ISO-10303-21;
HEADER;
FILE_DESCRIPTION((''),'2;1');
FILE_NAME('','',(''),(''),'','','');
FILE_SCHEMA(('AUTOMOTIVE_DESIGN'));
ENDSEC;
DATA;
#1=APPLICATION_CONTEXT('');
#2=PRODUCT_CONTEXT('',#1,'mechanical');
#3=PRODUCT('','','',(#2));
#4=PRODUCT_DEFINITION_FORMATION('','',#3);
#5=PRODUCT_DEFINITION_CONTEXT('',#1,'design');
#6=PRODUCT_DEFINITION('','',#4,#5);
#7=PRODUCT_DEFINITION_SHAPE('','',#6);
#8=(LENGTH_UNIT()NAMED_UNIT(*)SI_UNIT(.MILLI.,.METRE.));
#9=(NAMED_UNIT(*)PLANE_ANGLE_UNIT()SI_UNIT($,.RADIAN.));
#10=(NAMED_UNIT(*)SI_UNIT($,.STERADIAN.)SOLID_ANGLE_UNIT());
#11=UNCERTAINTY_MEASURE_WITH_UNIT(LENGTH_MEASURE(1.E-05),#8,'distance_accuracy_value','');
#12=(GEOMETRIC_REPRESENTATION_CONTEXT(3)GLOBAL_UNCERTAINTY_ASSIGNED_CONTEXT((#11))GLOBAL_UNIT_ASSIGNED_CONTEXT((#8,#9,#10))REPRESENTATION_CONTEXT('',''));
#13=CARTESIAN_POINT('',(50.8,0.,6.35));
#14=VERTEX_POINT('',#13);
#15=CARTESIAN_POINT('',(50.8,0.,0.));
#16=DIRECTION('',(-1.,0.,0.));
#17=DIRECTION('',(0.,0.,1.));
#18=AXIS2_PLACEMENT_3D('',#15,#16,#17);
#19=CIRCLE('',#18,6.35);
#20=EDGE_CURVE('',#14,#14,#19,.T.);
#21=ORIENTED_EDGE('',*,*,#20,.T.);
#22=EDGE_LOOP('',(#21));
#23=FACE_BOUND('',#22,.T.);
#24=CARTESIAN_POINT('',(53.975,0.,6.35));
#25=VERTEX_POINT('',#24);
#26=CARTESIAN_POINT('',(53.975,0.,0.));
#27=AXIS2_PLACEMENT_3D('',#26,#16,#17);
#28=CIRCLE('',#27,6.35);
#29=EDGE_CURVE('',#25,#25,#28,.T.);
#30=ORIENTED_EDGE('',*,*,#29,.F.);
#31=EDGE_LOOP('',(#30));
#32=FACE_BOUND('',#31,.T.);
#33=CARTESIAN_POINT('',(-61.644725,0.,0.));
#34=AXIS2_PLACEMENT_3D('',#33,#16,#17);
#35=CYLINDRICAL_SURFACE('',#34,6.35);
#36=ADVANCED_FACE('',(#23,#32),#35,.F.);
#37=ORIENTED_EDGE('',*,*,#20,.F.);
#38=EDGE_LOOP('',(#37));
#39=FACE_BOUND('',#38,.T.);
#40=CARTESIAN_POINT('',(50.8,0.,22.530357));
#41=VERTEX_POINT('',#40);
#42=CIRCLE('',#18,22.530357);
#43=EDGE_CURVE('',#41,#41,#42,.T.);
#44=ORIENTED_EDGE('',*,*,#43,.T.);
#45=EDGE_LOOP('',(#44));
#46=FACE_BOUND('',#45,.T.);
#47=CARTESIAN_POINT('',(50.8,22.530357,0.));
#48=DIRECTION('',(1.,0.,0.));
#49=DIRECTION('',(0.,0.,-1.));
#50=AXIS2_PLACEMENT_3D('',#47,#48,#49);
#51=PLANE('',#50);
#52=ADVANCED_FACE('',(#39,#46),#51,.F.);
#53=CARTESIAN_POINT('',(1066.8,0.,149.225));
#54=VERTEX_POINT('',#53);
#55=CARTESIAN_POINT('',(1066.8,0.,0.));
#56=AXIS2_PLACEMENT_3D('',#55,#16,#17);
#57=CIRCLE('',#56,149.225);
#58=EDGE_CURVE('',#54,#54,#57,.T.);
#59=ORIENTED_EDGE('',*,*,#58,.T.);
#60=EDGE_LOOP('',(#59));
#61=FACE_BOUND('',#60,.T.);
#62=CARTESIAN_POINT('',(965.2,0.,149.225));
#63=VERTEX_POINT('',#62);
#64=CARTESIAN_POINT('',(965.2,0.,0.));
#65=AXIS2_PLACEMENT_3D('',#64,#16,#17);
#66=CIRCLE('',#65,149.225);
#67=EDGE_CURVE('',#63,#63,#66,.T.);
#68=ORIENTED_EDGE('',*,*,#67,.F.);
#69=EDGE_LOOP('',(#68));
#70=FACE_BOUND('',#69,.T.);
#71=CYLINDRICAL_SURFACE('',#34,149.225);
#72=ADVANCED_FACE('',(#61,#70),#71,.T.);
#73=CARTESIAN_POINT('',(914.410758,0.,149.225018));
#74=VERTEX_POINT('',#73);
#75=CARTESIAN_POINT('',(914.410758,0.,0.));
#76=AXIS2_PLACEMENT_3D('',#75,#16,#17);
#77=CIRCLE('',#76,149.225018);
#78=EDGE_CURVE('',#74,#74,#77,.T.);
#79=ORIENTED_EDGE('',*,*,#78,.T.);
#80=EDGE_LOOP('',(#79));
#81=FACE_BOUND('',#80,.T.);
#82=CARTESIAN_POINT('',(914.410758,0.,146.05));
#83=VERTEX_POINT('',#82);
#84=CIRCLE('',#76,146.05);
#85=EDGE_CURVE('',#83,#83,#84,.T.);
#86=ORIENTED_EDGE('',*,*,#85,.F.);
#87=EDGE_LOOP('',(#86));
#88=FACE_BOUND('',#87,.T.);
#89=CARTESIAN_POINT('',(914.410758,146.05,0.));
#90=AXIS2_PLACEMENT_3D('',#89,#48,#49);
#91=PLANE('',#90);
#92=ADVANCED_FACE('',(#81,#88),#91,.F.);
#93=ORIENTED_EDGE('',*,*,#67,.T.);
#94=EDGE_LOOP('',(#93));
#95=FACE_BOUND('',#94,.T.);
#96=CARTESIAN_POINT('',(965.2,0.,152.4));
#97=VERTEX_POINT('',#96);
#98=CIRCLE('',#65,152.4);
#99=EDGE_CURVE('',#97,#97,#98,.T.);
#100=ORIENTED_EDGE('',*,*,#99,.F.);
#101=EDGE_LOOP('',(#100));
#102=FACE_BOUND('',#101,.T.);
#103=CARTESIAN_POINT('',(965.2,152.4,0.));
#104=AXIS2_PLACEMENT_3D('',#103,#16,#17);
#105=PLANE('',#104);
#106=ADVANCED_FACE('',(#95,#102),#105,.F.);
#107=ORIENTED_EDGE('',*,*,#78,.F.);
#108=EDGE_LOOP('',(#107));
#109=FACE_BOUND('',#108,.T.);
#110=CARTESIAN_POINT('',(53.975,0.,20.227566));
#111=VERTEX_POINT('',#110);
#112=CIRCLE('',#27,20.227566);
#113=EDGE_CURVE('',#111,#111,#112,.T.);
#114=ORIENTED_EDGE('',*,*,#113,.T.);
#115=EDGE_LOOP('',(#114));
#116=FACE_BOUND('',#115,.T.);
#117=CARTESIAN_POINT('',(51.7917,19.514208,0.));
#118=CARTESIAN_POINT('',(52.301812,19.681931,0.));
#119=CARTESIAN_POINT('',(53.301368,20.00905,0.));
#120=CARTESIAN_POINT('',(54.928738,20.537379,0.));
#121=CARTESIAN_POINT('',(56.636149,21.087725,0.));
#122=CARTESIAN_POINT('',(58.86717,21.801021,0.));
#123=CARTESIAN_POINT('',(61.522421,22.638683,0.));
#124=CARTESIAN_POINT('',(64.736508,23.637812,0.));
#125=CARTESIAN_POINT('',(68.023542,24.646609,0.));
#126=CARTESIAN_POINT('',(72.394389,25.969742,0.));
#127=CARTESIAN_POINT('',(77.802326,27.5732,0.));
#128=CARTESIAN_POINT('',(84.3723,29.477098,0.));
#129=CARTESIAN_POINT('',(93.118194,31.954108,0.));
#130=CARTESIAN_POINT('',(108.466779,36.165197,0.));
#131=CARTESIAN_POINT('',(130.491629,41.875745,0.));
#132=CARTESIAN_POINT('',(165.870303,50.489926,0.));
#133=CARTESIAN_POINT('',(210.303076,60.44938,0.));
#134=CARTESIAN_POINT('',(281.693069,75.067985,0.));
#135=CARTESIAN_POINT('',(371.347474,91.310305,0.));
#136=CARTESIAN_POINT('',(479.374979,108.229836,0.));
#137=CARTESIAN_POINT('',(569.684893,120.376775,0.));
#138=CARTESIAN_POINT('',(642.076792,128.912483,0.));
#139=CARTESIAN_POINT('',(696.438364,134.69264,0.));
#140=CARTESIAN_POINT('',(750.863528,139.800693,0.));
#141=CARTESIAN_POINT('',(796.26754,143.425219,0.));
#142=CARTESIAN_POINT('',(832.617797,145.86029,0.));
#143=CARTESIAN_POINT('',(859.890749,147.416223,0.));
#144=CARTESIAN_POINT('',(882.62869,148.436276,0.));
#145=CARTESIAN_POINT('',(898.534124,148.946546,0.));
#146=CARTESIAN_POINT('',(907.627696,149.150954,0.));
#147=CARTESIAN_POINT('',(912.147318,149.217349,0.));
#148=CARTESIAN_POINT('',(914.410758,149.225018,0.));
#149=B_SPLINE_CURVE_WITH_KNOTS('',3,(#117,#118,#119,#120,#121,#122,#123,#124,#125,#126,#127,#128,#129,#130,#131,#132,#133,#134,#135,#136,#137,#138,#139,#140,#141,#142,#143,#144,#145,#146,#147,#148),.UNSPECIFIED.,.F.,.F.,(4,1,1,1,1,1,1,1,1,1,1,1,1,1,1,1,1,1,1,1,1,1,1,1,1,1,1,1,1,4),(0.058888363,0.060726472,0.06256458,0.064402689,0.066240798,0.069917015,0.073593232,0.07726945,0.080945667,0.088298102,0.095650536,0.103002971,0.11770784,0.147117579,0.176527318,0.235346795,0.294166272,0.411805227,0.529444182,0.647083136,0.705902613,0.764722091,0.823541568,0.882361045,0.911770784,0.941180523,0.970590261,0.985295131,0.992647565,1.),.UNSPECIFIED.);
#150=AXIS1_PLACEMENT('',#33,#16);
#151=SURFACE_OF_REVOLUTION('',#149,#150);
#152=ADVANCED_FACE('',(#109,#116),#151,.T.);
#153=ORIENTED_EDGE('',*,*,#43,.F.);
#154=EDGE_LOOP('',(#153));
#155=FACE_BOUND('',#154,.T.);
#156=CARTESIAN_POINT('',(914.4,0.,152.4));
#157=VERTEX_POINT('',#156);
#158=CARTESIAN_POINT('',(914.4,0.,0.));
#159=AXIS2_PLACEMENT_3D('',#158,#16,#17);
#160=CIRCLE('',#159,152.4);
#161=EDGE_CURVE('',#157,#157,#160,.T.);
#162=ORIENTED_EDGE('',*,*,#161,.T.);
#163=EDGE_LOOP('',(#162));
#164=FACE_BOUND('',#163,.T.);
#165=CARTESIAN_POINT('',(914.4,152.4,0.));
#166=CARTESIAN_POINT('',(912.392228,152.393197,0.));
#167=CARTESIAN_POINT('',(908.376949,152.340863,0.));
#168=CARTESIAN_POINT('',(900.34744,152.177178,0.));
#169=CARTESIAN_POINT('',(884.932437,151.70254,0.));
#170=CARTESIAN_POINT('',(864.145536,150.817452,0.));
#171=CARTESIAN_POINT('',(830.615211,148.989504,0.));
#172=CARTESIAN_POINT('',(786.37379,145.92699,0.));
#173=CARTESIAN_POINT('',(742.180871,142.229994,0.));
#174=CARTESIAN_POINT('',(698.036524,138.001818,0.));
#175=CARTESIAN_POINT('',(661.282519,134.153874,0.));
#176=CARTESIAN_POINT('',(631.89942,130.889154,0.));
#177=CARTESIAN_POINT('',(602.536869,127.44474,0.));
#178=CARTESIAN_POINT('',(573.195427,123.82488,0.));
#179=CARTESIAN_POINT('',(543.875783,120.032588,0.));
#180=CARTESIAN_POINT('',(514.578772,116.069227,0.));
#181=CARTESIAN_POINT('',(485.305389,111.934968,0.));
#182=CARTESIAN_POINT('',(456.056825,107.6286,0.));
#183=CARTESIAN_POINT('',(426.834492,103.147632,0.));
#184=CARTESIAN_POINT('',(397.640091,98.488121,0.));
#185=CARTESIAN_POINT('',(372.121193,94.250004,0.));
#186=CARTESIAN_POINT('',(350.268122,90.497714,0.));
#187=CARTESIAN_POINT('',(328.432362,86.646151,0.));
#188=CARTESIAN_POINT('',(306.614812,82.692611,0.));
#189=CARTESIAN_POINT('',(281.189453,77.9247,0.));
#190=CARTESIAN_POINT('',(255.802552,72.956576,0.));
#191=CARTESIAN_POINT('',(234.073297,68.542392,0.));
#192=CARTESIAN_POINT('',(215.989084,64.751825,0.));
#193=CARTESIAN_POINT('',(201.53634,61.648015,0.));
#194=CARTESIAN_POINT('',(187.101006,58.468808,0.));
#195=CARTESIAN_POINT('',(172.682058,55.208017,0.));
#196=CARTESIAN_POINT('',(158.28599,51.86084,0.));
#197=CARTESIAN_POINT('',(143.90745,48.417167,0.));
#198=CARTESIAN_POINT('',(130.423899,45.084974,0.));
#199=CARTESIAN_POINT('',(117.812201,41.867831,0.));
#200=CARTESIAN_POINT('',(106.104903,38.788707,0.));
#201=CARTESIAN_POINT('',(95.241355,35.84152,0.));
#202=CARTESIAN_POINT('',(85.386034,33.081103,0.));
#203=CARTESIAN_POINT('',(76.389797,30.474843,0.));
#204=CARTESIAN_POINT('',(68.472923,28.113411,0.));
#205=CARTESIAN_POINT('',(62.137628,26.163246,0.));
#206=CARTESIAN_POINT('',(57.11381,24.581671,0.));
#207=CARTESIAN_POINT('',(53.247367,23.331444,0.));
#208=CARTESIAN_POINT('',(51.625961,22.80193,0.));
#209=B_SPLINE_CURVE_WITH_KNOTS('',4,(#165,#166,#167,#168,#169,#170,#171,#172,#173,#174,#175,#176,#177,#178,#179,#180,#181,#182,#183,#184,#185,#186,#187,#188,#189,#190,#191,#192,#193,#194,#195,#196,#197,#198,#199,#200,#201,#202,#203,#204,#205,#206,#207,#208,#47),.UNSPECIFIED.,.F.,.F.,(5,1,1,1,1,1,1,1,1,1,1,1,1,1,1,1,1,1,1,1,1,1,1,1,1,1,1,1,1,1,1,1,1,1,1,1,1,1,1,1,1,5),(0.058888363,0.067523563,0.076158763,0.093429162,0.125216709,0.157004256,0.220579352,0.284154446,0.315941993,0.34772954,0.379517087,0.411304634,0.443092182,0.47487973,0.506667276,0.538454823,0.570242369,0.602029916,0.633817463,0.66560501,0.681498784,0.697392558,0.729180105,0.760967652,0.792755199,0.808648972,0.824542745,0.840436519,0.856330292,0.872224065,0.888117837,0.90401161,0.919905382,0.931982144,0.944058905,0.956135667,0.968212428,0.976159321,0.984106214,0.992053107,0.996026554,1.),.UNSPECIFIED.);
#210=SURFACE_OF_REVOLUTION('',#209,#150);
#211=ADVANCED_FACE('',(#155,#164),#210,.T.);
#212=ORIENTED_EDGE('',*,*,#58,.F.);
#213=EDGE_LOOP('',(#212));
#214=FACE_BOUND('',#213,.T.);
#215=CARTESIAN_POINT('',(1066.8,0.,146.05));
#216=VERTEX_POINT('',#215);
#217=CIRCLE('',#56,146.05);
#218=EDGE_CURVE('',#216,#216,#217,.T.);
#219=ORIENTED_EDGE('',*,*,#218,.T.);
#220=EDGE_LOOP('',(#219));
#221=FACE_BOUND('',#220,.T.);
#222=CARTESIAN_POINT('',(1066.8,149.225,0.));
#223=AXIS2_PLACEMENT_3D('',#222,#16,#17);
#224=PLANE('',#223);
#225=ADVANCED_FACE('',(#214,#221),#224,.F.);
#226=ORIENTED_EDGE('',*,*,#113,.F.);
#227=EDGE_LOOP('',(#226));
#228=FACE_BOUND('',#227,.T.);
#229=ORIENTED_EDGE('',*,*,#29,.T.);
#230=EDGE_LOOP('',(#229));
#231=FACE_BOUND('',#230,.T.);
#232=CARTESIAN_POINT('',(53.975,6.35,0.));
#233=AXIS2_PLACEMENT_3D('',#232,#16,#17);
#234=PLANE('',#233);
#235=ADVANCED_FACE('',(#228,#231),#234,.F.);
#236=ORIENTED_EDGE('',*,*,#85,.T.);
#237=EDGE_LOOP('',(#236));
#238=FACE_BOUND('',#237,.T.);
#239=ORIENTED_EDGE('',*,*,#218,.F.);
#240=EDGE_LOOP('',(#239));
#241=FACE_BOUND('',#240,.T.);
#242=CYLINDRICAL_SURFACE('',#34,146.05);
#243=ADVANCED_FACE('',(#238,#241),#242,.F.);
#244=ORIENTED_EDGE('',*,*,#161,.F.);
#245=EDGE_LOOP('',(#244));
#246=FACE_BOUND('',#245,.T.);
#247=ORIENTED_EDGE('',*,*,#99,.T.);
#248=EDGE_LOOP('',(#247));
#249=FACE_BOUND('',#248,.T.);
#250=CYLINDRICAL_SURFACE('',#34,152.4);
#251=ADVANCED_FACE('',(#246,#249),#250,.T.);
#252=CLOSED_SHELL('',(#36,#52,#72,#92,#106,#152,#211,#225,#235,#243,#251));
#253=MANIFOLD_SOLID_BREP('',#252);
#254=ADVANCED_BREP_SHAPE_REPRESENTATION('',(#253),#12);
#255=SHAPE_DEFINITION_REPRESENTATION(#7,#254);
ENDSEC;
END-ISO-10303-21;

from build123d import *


with BuildPart() as part:
    # Sketch6 → Revolve1 (revolve)
    with BuildSketch(Plane.XY, mode=Mode.PRIVATE) as revolve1_sk:
        with BuildLine():
            Line((50.8, 22.53035676), (50.8, 6.35))
            Line((50.8, 6.35), (53.975, 6.35))
            Line((53.975, 6.35), (53.975, 20.227565916))
            add(Edge.make_bspline(
                [(53.975, 20.227565916), (54.291634879, 20.330430839), (55.162475518, 20.612719168), (56.636149311, 21.087725347), (58.867170376, 21.80102074), (61.522421046, 22.638682883), (64.736507837, 23.637812157), (68.023541536, 24.646609183), (72.39438926, 25.969741612), (77.802325895, 27.573199633), (84.37229967, 29.477097548), (93.118193973, 31.954107645), (108.466778526, 36.165197289), (130.491628823, 41.875745108), (165.870302673, 50.489926314), (210.303076361, 60.449379541), (281.693068548, 75.067985253), (371.347473816, 91.310304544), (479.374979471, 108.229836311), (569.684892552, 120.376775068), (642.076792345, 128.912483065), (696.438363769, 134.692640498), (750.863527692, 139.800693107), (796.267539796, 143.42521879), (832.617797313, 145.860290015), (859.890749047, 147.416222506), (882.628689993, 148.436275801), (898.53412358, 148.946546098), (907.62769622, 149.150954449), (912.14731785, 149.217348506), (914.4107585, 149.225018228)],
                knots=[0.06148136, 0.06148136, 0.06148136, 0.06148136, 0.06256458, 0.064402689, 0.066240798, 0.069917015, 0.073593232, 0.07726945, 0.080945667, 0.088298102, 0.095650536, 0.103002971, 0.11770784, 0.147117579, 0.176527318, 0.235346795, 0.294166272, 0.411805227, 0.529444182, 0.647083136, 0.705902613, 0.764722091, 0.823541568, 0.882361045, 0.911770784, 0.941180523, 0.970590261, 0.985295131, 0.992647565, 1, 1, 1, 1], degree=3))
            Line((914.4107585, 149.225018228), (914.4107585, 146.05))
            Line((914.4107585, 146.05), (1066.8, 146.05))
            Line((1066.8, 146.05), (1066.8, 149.225))
            Line((1066.8, 149.225), (965.2, 149.225))
            Line((965.2, 149.225), (965.2, 152.4))
            Line((965.2, 152.4), (914.4, 152.4))
            add(Edge.make_bspline(
                [(50.8, 22.53035676), (51.62596102, 22.801930188), (53.247366667, 23.331443773), (57.113810342, 24.581671091), (62.137627853, 26.163245596), (68.472923462, 28.113411094), (76.389796689, 30.474842786), (85.386033894, 33.081102875), (95.241355255, 35.841520364), (106.104903016, 38.788706559), (117.812200959, 41.867831442), (130.423899043, 45.08497442), (143.907449646, 48.417167108), (158.285989872, 51.860839853), (172.682057827, 55.208017205), (187.101006341, 58.468808185), (201.536340401, 61.648015415), (215.98908439, 64.751824582), (234.073297096, 68.542392147), (255.802551989, 72.956576003), (281.189453131, 77.92470015), (306.614812158, 82.692611325), (328.432361696, 86.646151134), (350.268122203, 90.497714312), (372.121192631, 94.250003895), (397.640090518, 98.488121242), (426.834492226, 103.147632175), (456.056824987, 107.628600482), (485.305388678, 111.934967932), (514.578772116, 116.069226586), (543.875783343, 120.032588186), (573.19542697, 123.82488003), (602.536868801, 127.444739672), (631.89942018, 130.889153604), (661.282519219, 134.153873932), (698.036524214, 138.001817701), (742.180870702, 142.229994267), (786.373789985, 145.926990276), (830.615211008, 148.98950394), (864.145536025, 150.817451898), (884.93243709, 151.702539519), (900.347440379, 152.177178216), (908.376949057, 152.340862845), (912.39222778, 152.393196617), (914.4, 152.4)],
                knots=[0.058888363, 0.058888363, 0.058888363, 0.058888363, 0.058888363, 0.06286181, 0.066835256, 0.074782149, 0.082729042, 0.090675935, 0.102752696, 0.114829458, 0.126906219, 0.138982981, 0.154876753, 0.170770526, 0.186664299, 0.202558071, 0.218451844, 0.234345618, 0.250239391, 0.266133165, 0.297920711, 0.329708258, 0.361495805, 0.377389579, 0.393283353, 0.4250709, 0.456858447, 0.488645994, 0.52043354, 0.552221087, 0.584008633, 0.615796181, 0.647583729, 0.679371276, 0.711158823, 0.74294637, 0.774733917, 0.838309011, 0.901884107, 0.933671654, 0.965459201, 0.9827296, 0.9913648, 1, 1, 1, 1, 1], degree=4))
        make_face()
    revolve(revolve1_sk.sketch.rotate(Axis((-61.64472501, 0, 0), (1, 0, 0)), 90), axis=Axis((-61.64472501, 0, 0), (1, 0, 0)))


solid = part.part
